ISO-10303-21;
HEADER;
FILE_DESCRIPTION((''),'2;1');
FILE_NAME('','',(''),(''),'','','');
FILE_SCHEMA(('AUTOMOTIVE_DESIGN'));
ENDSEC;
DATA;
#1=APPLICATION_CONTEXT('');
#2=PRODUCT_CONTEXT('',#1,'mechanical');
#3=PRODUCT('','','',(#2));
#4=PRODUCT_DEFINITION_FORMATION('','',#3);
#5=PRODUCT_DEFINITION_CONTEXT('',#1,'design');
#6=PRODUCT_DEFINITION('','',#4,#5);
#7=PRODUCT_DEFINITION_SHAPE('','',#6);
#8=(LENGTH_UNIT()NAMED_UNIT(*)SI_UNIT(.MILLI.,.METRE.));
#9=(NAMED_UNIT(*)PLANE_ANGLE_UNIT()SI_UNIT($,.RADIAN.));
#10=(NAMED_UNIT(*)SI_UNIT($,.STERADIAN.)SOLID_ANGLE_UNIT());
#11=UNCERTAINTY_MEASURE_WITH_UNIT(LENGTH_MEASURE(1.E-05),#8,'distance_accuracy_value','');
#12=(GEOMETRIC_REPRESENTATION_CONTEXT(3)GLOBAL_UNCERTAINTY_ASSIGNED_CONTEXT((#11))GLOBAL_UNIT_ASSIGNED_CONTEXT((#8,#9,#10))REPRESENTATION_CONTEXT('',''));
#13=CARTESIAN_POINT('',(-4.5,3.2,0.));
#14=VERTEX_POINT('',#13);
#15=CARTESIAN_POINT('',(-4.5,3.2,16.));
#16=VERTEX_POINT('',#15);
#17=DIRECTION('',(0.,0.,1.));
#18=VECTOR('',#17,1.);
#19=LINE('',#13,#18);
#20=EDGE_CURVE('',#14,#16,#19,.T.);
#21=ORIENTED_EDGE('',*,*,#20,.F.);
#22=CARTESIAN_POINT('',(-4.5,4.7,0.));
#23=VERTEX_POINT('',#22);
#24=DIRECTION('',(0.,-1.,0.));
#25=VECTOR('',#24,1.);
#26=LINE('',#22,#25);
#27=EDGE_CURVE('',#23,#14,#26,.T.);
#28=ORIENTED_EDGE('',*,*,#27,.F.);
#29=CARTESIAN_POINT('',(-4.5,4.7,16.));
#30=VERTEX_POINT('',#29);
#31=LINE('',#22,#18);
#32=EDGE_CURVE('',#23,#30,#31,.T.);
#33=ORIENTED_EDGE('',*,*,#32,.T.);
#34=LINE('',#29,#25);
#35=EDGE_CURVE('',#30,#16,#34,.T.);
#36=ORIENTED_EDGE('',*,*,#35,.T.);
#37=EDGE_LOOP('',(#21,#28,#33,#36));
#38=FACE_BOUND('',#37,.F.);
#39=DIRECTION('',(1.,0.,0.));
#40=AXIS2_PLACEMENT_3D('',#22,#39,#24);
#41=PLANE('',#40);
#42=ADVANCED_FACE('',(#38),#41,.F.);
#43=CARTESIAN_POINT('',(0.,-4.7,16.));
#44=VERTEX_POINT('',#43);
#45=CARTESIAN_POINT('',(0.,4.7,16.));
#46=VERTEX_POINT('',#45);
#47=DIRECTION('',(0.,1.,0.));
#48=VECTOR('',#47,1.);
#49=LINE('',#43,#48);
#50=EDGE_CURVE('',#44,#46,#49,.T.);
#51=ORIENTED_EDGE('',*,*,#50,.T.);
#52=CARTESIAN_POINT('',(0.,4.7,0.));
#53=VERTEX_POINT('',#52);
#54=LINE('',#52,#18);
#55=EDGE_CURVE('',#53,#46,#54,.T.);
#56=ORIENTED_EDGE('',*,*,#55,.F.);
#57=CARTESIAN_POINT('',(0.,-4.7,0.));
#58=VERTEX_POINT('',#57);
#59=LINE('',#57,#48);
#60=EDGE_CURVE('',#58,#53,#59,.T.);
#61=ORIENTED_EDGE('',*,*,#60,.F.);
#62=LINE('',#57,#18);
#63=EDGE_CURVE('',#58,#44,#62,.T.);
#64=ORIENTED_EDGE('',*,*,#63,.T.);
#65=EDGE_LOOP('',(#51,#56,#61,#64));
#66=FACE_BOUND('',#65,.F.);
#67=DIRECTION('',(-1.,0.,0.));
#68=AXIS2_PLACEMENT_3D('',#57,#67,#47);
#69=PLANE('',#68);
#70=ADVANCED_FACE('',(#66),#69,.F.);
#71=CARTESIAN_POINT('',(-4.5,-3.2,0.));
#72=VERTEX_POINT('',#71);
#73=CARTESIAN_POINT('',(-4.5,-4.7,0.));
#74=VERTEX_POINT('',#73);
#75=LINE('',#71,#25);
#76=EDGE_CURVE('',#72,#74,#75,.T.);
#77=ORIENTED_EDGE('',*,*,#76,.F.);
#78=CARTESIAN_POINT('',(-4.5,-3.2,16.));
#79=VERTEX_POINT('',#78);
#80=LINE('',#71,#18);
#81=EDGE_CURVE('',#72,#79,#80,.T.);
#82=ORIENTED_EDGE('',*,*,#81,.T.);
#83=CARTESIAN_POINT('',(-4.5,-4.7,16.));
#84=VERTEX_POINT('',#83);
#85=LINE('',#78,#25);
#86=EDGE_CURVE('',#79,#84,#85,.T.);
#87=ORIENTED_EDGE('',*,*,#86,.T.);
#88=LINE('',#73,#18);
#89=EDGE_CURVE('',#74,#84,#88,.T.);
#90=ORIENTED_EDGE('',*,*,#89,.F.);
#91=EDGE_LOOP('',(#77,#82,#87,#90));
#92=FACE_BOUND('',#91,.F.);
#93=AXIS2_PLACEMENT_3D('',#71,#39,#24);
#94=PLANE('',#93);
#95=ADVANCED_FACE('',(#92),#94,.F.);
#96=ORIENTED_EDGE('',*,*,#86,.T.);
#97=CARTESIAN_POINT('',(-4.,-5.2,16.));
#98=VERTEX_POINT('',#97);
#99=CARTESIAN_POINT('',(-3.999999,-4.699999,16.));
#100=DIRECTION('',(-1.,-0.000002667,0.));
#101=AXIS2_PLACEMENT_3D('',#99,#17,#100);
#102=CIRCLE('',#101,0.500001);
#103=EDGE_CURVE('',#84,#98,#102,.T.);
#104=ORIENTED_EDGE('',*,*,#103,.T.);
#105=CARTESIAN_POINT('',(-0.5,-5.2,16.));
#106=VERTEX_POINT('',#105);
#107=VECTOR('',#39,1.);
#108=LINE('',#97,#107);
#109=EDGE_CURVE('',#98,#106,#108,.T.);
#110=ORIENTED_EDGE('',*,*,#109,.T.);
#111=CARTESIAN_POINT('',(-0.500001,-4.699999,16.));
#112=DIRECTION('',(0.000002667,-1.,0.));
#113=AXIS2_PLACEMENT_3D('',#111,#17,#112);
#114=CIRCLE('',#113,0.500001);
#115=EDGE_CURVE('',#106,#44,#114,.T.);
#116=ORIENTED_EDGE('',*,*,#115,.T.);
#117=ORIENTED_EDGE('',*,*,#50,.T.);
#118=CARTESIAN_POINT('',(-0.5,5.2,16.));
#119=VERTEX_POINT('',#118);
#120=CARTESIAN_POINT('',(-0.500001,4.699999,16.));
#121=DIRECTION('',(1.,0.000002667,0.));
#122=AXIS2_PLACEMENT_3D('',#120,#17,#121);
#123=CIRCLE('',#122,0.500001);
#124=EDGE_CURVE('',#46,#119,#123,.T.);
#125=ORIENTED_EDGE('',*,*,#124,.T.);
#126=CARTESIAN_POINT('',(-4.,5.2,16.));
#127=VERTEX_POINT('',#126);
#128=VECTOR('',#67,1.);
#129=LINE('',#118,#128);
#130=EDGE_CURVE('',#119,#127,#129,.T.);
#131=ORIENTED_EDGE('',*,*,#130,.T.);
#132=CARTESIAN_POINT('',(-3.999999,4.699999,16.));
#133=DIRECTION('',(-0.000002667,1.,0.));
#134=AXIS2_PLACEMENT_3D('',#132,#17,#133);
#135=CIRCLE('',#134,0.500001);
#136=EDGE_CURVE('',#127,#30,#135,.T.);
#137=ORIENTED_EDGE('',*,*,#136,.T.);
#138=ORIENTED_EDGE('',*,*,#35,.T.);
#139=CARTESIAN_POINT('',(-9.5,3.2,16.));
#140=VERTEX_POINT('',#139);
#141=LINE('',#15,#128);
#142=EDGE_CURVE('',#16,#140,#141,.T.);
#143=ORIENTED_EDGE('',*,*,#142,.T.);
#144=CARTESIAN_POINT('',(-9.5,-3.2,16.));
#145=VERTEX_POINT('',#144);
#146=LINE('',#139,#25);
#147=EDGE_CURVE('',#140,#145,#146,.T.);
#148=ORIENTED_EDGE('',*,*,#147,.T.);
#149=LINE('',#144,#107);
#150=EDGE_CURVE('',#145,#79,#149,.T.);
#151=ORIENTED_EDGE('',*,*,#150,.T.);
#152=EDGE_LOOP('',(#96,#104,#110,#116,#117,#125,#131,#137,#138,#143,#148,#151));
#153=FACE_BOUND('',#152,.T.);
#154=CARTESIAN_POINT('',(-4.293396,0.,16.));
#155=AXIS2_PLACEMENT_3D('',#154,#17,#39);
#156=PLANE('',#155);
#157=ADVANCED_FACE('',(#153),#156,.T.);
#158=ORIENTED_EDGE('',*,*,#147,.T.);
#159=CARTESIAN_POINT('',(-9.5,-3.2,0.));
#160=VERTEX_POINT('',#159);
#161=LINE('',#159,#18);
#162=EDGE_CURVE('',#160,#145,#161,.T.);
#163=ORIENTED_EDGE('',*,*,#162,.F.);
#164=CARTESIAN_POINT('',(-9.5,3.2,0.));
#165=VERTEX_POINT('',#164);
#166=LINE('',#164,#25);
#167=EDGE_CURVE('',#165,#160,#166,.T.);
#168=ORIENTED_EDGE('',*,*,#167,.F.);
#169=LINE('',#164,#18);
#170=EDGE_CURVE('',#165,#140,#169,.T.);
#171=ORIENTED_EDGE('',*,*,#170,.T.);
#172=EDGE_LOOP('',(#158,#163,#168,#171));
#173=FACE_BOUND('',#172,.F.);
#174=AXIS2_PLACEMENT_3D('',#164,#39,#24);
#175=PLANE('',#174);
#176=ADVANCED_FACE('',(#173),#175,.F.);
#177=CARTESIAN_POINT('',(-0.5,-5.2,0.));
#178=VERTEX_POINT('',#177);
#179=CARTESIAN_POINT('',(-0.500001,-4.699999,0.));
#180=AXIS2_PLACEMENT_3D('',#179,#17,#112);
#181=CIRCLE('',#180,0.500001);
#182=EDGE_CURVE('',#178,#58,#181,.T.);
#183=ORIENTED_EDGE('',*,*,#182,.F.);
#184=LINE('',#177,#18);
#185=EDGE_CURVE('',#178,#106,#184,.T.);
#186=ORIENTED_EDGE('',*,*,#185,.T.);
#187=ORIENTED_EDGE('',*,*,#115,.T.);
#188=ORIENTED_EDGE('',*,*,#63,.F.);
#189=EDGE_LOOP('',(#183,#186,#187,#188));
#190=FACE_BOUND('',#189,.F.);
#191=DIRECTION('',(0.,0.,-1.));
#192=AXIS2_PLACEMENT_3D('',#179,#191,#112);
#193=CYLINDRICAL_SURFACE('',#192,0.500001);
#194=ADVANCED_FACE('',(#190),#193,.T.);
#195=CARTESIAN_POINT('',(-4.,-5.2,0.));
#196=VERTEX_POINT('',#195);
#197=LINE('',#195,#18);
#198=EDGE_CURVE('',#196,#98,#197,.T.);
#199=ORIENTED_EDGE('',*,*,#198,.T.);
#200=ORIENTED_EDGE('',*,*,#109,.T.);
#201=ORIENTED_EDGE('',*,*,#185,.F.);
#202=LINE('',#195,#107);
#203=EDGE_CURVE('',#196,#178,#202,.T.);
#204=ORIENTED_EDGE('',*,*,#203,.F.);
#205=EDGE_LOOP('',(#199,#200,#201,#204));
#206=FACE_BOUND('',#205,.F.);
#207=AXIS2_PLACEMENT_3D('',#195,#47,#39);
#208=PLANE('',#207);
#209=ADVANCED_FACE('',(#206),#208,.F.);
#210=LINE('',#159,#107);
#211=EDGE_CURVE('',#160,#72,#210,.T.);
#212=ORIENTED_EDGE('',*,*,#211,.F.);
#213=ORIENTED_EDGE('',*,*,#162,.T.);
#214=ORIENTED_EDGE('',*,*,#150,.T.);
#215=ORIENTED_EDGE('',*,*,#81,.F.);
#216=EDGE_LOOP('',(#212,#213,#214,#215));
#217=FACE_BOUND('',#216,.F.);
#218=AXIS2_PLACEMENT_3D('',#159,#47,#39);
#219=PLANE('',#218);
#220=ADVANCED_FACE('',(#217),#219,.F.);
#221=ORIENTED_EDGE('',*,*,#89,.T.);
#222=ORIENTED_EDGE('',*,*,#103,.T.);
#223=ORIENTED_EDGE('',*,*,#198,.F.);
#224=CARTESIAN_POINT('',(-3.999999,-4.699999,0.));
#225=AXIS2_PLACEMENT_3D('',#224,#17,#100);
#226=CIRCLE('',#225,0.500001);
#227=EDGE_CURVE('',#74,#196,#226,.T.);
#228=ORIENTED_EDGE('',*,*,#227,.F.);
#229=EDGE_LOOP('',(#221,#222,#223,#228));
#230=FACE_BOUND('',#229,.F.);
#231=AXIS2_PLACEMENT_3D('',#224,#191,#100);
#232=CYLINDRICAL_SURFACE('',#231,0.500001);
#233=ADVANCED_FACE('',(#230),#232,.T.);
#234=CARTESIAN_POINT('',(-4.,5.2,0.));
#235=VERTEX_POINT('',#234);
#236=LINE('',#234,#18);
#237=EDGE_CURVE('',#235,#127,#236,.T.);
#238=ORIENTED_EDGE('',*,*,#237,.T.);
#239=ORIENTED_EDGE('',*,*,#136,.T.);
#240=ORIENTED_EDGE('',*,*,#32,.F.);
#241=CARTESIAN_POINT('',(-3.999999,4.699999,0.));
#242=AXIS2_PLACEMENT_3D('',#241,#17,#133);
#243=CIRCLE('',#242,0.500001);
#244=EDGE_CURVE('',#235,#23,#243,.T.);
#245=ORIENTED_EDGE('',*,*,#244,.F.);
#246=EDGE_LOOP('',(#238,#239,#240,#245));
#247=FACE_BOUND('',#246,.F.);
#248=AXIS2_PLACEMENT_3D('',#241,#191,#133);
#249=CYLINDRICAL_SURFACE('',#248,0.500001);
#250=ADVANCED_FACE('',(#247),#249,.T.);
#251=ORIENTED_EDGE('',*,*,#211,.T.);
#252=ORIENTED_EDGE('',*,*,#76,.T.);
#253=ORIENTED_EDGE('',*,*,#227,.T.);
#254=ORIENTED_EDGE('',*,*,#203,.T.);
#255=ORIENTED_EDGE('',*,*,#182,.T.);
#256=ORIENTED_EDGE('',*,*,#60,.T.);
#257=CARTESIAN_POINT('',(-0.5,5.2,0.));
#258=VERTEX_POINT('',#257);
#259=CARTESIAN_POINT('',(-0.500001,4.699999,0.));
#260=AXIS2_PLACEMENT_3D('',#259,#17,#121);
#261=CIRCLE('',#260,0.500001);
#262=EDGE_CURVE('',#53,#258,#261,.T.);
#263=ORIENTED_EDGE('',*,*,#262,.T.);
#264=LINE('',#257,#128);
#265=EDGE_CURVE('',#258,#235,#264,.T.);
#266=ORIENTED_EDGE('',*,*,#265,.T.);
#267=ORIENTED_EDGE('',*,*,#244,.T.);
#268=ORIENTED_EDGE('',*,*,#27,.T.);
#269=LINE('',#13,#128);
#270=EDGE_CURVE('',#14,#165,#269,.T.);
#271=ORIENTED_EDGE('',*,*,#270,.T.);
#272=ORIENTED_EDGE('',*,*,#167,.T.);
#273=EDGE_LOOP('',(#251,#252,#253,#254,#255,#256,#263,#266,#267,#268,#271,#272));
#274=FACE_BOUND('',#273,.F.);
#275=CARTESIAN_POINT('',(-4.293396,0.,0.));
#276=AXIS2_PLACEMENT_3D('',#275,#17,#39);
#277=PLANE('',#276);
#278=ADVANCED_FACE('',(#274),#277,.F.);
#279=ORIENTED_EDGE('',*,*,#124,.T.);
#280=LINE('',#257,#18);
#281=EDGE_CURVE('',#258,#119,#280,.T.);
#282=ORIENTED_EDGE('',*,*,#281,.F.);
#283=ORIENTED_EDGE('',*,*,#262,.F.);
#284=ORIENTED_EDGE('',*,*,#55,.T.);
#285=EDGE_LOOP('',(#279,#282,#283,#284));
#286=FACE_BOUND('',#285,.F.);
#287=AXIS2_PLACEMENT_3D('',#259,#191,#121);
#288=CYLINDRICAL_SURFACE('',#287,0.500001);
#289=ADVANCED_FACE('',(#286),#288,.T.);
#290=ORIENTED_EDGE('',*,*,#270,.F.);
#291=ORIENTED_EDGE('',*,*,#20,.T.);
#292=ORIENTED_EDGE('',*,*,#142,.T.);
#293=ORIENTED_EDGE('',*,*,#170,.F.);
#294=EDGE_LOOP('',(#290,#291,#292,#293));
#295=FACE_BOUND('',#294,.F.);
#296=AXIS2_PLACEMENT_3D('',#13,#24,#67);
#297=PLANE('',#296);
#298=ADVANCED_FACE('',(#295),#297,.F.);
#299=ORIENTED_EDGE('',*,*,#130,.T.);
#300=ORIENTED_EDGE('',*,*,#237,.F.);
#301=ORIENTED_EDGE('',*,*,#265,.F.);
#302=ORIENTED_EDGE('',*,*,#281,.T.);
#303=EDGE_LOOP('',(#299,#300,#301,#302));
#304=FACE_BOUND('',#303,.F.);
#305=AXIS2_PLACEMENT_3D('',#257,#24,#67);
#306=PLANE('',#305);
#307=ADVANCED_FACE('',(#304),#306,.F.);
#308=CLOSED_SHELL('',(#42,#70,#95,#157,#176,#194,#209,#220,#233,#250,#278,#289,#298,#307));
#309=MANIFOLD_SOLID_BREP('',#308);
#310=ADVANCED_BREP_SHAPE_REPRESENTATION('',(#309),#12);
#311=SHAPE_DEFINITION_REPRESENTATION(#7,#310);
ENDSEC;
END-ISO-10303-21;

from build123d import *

# Parameters (mm, degrees)
F1_DEPTH = 16


with BuildPart() as f1:
    # F0 (on Top) → F1 (new body)
    with BuildSketch(Plane.XY):
        with BuildLine():
            Line((0, -4.7), (0, 0))
            Line((0, 0), (0, 4.7))
            ThreePointArc((0, 4.7), (-0.146447, 5.053553), (-0.5, 5.2))
            Line((-0.5, 5.2), (-4, 5.2))
            ThreePointArc((-4, 5.2), (-4.353553, 5.053553), (-4.5, 4.7))
            Line((-4.5, 4.7), (-4.5, 3.2))
            Line((-4.5, 3.2), (-9.5, 3.2))
            Line((-9.5, 3.2), (-9.5, 0))
            Line((-9.5, 0), (-9.5, -3.2))
            Line((-9.5, -3.2), (-4.5, -3.2))
            Line((-4.5, -3.2), (-4.5, -4.7))
            ThreePointArc((-4.5, -4.7), (-4.353553, -5.053553), (-4, -5.2))
            Line((-4, -5.2), (-0.5, -5.2))
            ThreePointArc((-0.5, -5.2), (-0.146447, -5.053553), (0, -4.7))
        make_face()
    extrude(amount=F1_DEPTH)


solid = f1.part
